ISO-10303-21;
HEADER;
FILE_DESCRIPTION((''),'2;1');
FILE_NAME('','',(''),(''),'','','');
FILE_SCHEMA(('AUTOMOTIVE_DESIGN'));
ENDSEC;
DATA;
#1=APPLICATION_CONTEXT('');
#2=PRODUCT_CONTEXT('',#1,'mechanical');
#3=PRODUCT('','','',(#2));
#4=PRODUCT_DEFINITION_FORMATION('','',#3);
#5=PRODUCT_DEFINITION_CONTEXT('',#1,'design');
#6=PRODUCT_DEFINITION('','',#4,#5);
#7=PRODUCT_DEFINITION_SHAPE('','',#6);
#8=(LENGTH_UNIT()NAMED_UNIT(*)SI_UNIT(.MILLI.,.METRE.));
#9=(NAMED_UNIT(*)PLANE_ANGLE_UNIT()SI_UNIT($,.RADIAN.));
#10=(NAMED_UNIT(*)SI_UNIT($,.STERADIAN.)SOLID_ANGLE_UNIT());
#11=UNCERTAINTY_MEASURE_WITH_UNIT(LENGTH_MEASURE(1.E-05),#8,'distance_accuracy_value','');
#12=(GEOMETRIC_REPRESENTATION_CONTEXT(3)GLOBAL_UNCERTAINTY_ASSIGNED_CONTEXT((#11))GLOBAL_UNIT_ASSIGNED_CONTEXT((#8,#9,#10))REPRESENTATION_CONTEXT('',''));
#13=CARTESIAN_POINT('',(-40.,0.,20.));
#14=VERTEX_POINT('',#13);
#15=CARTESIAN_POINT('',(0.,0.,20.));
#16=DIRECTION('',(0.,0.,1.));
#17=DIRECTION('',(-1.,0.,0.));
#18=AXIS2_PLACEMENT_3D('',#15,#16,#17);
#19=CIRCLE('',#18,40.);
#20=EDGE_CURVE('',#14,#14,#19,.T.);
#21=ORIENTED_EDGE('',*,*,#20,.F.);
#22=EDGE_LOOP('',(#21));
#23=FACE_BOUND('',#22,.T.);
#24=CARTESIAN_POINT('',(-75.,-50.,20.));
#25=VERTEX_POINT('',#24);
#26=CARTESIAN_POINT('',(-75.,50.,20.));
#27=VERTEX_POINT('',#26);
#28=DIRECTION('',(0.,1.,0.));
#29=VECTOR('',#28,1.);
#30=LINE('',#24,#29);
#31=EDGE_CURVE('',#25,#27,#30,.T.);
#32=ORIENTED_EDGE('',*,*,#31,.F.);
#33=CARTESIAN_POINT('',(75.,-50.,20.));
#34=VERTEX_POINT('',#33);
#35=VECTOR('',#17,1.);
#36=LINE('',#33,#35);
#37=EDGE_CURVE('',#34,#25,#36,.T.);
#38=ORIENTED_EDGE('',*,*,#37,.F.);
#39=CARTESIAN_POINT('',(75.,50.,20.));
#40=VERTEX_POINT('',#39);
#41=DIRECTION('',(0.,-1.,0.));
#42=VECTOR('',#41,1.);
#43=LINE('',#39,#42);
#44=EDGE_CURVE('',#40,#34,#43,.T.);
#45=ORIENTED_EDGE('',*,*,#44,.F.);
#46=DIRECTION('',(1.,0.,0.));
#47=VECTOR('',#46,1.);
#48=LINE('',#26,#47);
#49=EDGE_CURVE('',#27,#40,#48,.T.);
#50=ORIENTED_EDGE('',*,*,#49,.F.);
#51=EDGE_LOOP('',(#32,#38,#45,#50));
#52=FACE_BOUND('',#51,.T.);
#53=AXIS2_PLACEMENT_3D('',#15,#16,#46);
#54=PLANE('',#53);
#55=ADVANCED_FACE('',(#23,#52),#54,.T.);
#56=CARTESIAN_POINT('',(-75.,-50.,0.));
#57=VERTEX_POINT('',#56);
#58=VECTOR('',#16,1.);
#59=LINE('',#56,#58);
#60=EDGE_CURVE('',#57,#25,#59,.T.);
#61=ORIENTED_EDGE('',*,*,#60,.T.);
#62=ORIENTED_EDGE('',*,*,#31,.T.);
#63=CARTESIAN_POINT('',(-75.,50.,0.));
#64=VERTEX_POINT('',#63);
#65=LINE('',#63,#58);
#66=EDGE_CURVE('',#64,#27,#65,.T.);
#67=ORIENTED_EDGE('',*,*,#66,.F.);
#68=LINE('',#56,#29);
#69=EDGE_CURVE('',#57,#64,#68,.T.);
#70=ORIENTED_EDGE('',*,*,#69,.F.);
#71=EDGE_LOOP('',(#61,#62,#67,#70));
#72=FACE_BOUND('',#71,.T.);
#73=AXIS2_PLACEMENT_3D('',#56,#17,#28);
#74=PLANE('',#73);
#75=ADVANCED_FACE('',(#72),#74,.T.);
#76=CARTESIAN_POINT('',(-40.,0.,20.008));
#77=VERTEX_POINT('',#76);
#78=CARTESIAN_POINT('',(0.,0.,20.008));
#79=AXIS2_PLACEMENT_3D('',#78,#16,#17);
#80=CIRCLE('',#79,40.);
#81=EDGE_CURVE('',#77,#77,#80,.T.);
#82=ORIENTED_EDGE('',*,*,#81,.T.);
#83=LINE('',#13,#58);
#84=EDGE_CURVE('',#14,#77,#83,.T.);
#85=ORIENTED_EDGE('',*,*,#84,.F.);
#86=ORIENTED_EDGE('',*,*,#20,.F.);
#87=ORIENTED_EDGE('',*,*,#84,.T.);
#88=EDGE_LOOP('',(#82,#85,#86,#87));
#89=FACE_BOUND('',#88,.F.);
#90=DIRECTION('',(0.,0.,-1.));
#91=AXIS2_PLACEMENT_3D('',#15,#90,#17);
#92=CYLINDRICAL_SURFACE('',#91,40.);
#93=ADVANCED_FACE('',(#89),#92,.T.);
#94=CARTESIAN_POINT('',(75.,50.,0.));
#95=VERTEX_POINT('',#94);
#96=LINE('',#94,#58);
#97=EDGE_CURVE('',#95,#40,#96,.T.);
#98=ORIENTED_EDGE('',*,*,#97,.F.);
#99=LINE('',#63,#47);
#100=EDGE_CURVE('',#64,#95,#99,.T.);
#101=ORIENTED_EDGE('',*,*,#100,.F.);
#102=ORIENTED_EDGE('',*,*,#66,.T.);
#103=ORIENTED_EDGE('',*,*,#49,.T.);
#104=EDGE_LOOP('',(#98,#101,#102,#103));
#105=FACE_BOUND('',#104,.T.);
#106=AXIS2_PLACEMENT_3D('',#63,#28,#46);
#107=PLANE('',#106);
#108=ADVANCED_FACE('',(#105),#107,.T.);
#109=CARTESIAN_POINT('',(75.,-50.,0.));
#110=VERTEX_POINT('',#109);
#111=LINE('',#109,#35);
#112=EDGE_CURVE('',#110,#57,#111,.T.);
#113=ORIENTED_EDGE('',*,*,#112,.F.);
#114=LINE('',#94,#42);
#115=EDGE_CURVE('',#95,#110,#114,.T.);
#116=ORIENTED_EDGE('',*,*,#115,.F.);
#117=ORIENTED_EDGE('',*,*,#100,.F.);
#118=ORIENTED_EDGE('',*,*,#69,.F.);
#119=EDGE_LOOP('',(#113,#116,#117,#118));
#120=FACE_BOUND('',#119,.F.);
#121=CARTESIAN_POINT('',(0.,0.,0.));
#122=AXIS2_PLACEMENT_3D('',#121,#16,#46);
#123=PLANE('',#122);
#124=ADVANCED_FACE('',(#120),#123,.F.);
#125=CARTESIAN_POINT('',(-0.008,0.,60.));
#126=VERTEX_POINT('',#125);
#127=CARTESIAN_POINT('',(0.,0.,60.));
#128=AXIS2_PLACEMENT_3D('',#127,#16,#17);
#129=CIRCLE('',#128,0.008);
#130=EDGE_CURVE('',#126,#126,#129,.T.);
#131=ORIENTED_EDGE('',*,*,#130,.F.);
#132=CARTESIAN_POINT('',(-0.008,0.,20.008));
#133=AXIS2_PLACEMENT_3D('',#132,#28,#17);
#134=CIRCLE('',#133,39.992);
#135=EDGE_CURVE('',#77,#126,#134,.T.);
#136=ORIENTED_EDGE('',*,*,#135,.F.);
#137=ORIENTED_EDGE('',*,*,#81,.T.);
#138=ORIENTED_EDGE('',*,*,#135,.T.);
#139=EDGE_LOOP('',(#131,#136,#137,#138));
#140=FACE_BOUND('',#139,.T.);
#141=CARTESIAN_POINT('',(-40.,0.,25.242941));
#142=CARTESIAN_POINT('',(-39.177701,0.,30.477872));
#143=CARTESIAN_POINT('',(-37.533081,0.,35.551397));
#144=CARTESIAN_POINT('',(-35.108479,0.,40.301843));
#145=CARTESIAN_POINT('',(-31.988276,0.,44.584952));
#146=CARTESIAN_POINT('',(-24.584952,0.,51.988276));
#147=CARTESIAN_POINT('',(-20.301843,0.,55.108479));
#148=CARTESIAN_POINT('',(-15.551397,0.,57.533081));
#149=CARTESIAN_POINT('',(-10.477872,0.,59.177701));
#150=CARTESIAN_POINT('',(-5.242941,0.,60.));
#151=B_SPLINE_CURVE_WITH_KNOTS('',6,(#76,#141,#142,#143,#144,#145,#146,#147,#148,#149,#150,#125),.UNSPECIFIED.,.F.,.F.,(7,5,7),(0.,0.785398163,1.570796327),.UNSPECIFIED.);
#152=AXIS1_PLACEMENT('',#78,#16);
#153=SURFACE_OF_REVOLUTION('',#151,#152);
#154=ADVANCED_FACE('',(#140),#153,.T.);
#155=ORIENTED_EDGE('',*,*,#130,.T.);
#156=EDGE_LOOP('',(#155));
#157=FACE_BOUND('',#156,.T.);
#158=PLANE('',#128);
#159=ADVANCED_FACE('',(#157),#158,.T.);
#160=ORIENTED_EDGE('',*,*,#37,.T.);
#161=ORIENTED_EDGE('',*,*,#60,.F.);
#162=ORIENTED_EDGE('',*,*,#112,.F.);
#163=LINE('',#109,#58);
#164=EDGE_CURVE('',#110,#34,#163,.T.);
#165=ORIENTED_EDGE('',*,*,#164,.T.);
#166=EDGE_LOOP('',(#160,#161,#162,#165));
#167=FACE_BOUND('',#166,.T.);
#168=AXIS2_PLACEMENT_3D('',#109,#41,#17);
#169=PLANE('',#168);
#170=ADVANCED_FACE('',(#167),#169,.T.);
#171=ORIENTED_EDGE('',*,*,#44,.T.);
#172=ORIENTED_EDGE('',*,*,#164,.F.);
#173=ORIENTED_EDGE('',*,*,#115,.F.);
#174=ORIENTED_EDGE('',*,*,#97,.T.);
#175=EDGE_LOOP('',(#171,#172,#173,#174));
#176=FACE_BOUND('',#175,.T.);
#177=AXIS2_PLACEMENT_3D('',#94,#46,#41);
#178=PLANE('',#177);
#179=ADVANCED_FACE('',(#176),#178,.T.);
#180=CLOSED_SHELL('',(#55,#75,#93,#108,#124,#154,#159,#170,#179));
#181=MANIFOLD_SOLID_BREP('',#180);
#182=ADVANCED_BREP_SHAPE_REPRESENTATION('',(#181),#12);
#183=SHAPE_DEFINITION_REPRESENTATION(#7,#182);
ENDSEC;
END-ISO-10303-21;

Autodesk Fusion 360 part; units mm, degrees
sketch "Sketch1" plane through (0, 0, 0) normal (0, 0, 1) x (1, 0, 0)
  line L0 (-75, 50) -> (75, 50)
  line L1 (75, 50) -> (75, -50)
  line L2 (75, -50) -> (-75, -50)
  line L3 (-75, -50) -> (-75, 50)
  line L4 (-75, 50) -> (75, -50) construction
  line L5 (75, 50) -> (-75, -50) construction
  dimension "d1" = 150
  dimension "d2" = 100
extrude "Extrude1" add sketch "Sketch1" along normal blind 20
sketch "Sketch2" plane through (0, 0, 20) normal (0, 0, 1) x (-1, 0, 0)
  line L0 (75, 50) -> (-75, 50)
  line L1 (-75, 50) -> (-75, -50)
  line L2 (-75, -50) -> (75, -50)
  line L3 (75, -50) -> (75, 50)
  circle A0 centre (0, 0) radius 40
  dimension "d5" = 80
extrude "Extrude2" add sketch "Sketch2" along normal blind 40 contours A0
fillet "Fillet1" radius 40 1 edges at (37.2931, 14.4646, 60)
